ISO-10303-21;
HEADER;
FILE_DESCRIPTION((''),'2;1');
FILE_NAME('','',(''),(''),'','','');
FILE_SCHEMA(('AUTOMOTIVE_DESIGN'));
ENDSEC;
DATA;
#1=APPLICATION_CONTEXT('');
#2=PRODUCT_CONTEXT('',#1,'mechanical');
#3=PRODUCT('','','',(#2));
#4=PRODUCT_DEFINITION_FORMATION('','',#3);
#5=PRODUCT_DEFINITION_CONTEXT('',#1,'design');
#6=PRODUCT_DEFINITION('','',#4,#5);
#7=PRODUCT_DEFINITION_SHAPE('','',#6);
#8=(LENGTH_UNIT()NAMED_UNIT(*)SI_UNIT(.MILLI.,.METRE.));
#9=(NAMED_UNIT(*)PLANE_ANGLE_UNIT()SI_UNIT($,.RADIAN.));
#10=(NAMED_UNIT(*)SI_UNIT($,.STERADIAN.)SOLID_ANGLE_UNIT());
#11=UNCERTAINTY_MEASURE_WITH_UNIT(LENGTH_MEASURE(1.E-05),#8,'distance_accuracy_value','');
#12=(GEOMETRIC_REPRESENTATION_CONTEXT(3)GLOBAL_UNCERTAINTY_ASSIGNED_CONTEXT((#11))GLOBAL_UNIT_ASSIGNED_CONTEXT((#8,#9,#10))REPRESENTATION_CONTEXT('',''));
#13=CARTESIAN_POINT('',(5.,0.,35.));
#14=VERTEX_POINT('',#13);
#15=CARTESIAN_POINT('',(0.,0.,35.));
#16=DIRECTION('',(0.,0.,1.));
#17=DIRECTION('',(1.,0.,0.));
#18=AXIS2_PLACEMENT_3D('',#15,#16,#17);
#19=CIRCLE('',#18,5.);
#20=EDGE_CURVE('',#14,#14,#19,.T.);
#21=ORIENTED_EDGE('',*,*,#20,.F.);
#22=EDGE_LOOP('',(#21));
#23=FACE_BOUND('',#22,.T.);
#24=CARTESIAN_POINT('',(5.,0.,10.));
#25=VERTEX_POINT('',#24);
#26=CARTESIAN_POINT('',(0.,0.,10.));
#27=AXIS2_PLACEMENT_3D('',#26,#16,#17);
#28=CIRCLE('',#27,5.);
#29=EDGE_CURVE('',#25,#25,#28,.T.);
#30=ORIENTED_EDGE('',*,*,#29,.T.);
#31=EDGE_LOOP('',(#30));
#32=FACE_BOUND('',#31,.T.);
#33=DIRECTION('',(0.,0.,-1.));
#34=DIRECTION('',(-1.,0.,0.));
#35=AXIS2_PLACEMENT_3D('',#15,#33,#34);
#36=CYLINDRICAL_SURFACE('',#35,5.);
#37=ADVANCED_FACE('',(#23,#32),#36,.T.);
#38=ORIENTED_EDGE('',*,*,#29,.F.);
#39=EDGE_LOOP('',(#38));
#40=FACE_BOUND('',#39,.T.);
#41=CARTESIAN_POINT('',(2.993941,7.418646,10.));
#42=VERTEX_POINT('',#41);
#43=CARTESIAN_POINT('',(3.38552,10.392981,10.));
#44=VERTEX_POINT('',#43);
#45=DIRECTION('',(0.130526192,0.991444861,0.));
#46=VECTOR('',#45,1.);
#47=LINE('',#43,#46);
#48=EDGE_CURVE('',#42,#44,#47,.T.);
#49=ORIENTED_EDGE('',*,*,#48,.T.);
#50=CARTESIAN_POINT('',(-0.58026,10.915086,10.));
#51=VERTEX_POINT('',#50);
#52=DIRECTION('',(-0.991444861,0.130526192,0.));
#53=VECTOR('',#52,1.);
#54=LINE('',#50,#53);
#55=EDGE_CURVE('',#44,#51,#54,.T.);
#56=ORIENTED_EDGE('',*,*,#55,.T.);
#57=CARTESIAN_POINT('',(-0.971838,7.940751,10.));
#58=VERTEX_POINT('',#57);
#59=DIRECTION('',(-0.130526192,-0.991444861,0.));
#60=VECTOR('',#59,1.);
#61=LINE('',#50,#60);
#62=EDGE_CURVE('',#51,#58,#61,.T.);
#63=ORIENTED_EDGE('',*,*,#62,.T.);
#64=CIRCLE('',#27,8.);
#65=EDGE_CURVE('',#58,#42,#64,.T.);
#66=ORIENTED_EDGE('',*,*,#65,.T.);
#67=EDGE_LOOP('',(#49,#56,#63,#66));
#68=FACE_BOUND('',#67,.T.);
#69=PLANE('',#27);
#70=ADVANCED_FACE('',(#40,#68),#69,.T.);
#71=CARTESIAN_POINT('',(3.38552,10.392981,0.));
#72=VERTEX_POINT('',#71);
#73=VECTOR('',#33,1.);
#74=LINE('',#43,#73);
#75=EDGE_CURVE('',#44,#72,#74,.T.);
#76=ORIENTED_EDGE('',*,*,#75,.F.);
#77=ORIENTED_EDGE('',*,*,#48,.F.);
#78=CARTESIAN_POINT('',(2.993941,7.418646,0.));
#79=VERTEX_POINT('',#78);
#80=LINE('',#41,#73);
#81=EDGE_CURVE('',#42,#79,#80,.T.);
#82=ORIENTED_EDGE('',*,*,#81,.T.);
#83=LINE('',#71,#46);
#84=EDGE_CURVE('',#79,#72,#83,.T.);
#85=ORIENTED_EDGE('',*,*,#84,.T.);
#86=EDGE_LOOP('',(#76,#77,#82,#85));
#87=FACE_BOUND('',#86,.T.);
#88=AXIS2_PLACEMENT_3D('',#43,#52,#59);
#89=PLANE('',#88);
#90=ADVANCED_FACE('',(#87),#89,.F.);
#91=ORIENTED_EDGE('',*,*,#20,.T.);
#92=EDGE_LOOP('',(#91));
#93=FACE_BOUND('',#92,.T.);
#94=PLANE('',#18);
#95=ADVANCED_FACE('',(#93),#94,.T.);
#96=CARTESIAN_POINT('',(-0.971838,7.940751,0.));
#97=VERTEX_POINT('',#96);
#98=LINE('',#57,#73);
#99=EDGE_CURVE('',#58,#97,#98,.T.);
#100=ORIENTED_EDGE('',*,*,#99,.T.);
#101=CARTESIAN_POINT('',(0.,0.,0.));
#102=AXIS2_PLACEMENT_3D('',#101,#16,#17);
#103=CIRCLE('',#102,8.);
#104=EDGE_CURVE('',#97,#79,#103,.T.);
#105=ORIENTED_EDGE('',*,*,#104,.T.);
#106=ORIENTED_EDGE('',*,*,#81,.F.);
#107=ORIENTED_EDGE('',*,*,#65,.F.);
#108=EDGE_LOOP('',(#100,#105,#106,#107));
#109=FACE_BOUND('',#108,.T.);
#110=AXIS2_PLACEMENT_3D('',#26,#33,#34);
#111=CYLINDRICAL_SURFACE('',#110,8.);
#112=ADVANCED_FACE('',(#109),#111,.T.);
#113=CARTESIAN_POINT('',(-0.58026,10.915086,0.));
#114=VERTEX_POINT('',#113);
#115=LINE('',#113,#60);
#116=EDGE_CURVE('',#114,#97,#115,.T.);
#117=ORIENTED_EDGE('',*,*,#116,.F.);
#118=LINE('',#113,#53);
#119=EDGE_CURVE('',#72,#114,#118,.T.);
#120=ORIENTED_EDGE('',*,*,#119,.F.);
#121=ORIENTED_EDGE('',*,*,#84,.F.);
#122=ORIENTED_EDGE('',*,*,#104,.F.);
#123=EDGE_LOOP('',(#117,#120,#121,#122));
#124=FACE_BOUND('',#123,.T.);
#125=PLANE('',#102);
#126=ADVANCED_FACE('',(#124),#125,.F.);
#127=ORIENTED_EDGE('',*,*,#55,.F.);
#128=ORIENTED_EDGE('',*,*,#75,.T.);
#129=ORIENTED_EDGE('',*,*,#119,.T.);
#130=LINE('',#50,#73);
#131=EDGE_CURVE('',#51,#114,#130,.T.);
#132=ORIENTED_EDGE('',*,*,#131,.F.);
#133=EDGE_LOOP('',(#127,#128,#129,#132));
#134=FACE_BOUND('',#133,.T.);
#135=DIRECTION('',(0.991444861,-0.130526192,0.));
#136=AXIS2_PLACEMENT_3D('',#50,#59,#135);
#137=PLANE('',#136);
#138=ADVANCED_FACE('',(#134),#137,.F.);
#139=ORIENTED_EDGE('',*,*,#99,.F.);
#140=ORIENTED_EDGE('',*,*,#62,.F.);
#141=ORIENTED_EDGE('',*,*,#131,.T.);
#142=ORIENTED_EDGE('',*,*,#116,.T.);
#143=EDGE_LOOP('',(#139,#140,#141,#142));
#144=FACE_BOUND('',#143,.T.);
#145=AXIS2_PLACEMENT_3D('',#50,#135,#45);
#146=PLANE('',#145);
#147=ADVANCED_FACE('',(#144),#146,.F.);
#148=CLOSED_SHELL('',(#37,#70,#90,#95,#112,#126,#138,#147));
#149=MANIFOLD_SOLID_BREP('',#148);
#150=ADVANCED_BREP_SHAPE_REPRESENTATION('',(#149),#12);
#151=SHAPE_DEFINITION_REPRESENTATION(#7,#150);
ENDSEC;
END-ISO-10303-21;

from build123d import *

# Parameters (mm, degrees)
BOSS_EXTRUDE1_DEPTH = 10
SKETCH2_R           = 5
BOSS_EXTRUDE2_DEPTH = 25


with BuildPart() as part:
    # Sketch1 → Boss-Extrude1 (new body)
    with BuildSketch(Plane.XY):
        with BuildLine():
            Line((-0.580259609, 10.915085842), (3.385519837, 10.392981073))
            Line((3.385519837, 10.392981073), (2.99394126, 7.418646489))
            ThreePointArc((2.99394126, 7.418646489), (-1.044209538, -7.931558891), (-0.971838185, 7.940751258))
            Line((-0.971838185, 7.940751258), (-0.580259609, 10.915085842))
        make_face()
    extrude(amount=BOSS_EXTRUDE1_DEPTH)

    # Sketch2 → Boss-Extrude2 (add)
    with BuildSketch(Plane.XY.offset(10)):
        Circle(SKETCH2_R)
    extrude(amount=BOSS_EXTRUDE2_DEPTH)


solid = part.part
